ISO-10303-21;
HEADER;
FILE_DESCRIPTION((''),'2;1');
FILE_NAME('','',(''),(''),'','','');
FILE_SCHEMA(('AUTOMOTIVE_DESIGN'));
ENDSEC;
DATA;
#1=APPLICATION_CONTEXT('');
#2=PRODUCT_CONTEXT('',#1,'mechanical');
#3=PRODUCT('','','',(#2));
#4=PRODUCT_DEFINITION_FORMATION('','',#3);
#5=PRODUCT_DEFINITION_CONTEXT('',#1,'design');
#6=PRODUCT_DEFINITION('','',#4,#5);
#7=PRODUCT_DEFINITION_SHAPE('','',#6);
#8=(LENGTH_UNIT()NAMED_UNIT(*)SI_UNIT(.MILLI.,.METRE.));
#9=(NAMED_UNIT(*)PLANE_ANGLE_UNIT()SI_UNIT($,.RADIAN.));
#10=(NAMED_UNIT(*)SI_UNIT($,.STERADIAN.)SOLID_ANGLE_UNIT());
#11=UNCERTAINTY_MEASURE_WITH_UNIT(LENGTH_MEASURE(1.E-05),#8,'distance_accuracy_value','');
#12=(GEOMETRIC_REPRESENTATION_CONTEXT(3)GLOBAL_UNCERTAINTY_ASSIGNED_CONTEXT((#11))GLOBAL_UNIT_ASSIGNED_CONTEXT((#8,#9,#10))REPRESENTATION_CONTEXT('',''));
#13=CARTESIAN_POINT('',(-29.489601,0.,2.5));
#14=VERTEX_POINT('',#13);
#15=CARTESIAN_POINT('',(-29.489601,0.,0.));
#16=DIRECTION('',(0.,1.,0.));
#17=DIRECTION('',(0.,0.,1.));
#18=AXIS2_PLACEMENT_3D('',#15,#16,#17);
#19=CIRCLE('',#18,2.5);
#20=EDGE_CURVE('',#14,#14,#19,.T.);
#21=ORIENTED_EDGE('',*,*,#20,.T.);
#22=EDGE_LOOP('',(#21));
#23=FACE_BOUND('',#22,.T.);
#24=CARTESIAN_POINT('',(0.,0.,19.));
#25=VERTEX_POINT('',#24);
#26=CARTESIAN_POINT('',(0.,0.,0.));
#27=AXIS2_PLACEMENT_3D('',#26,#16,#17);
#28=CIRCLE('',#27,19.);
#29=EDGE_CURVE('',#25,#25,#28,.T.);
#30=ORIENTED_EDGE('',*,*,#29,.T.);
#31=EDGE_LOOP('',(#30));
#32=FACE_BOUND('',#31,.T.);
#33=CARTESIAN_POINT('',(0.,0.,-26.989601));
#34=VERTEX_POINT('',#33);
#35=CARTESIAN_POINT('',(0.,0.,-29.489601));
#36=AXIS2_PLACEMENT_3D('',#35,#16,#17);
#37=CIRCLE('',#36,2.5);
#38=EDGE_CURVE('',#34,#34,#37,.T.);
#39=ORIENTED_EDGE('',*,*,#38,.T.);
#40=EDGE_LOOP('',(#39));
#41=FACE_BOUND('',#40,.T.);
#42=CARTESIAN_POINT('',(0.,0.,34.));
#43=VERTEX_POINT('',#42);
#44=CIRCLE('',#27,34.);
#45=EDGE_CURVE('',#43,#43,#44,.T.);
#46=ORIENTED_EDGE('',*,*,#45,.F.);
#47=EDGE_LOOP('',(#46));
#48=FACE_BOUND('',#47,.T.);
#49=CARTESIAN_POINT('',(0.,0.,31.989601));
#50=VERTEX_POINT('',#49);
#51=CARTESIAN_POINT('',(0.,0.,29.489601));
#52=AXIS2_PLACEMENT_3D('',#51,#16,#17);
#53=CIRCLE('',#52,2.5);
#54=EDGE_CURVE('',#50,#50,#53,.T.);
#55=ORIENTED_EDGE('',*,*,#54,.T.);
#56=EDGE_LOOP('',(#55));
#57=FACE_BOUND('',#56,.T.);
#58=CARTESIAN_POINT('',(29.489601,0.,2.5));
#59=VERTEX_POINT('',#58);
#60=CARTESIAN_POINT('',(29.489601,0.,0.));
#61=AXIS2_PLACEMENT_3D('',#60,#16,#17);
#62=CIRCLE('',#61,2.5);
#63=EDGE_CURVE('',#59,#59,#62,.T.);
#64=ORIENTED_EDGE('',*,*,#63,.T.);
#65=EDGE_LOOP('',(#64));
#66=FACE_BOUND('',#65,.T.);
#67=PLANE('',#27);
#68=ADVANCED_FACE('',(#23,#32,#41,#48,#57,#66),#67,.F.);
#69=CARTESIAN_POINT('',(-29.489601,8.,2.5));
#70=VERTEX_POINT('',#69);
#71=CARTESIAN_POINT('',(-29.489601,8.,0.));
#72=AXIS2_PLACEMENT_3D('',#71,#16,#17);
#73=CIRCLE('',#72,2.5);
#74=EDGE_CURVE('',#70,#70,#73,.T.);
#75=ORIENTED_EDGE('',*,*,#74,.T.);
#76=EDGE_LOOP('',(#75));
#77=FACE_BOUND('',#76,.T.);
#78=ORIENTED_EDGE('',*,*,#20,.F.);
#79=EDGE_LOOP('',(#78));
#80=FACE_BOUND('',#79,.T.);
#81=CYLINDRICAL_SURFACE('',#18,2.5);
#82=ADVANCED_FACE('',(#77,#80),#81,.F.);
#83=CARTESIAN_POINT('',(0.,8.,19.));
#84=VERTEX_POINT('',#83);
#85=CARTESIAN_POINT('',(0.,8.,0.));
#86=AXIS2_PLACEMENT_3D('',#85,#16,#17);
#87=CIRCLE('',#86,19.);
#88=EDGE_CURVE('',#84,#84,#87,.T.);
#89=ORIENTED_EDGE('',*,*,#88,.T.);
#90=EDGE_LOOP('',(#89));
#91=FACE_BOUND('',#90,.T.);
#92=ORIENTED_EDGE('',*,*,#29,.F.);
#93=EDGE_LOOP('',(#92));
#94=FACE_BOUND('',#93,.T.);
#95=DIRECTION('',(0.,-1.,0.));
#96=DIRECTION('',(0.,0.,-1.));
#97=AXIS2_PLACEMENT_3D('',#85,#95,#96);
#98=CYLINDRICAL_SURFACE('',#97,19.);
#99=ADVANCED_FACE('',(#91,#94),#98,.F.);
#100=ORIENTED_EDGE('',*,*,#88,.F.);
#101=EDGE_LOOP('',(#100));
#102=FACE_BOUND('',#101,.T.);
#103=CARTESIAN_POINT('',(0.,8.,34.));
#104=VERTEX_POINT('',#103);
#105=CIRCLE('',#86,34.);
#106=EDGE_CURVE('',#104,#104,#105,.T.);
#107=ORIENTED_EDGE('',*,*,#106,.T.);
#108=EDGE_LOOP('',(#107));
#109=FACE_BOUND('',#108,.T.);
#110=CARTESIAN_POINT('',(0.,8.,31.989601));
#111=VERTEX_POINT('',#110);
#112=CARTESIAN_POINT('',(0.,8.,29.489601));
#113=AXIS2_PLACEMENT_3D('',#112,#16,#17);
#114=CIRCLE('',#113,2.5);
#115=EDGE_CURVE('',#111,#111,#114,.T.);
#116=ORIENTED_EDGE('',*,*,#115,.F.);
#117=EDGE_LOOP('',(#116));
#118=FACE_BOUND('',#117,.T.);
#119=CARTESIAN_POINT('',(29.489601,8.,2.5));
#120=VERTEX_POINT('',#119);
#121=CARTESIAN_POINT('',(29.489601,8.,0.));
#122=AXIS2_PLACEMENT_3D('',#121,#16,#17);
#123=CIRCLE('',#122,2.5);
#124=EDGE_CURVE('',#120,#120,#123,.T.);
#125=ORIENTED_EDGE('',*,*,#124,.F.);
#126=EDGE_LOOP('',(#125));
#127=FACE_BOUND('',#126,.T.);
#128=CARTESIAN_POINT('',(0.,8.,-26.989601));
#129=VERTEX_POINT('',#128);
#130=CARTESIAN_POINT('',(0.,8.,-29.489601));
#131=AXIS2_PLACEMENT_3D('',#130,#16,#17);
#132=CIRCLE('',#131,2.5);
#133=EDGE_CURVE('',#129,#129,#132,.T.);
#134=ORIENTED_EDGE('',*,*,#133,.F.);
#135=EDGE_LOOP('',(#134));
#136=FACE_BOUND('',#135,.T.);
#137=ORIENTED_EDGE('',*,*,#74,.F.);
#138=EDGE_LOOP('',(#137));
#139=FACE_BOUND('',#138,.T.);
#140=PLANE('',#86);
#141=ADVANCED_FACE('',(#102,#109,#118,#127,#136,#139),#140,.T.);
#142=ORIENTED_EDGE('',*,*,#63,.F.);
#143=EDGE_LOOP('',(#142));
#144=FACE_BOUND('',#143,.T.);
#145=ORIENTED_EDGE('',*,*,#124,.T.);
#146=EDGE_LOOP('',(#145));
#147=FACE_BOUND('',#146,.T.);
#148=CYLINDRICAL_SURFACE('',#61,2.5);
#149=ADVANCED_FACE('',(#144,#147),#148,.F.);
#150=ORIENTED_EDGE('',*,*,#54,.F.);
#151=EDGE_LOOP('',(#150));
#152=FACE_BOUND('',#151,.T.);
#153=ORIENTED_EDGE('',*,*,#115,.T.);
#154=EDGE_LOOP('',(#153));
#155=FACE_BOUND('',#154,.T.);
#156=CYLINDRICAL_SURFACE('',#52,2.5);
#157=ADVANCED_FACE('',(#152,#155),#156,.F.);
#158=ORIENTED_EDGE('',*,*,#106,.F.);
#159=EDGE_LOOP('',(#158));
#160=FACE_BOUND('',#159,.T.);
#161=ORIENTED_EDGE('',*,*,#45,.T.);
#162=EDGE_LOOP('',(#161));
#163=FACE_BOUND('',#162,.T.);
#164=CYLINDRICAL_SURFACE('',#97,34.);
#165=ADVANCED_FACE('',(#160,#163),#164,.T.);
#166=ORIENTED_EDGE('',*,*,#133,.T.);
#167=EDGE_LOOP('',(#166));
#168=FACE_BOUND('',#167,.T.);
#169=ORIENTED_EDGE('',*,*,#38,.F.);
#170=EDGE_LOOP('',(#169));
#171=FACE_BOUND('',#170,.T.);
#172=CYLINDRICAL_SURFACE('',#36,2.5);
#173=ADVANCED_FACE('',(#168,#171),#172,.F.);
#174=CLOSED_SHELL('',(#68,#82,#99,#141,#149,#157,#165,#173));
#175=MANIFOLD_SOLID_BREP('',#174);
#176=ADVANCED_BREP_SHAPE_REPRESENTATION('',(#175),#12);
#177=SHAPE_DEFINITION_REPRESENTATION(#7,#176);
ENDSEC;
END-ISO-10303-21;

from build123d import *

# Parameters (mm, degrees)
SKETCH_1_R          = 34
SKETCH_1_R_2        = 19
EXTRUDE_1_DEPTH     = 8
SKETCH_2_R          = 2.5
CUT_EXTRUDE_1_DEPTH = 49.744230428


with BuildPart() as part:
    # Эскиз1 → Вытянуть1 (new body)
    with BuildSketch(Plane(origin=(0, 0, 0), x_dir=(1, 0, 0), z_dir=(0, 1, 0))):
        with Locations(Location((0, 0, 0), (0, 0, 270))):
            Circle(SKETCH_1_R)
        with Locations(Location((0, 0, 0), (0, 0, 270))):
            Circle(SKETCH_1_R_2, mode=Mode.SUBTRACT)
    extrude(amount=EXTRUDE_1_DEPTH)

    # Эскиз2 → Вырез-Вытянуть1 (cut, through all)
    with BuildSketch(Plane(origin=(0, 8, 0), x_dir=(1, 0, 0), z_dir=(0, 1, 0))):
        with Locations(Location((0, 29.48960133, 0), (0, 0, 270))):
            Circle(SKETCH_2_R)
        with Locations(Location((29.48960133, 0, 0), (0, 0, 270))):
            Circle(SKETCH_2_R)
        with Locations(Location((0, -29.48960133, 0), (0, 0, 270))):
            Circle(SKETCH_2_R)
        with Locations(Location((-29.48960133, 0, 0), (0, 0, 270))):
            Circle(SKETCH_2_R)
    extrude(amount=-CUT_EXTRUDE_1_DEPTH, mode=Mode.SUBTRACT)


solid = part.part
